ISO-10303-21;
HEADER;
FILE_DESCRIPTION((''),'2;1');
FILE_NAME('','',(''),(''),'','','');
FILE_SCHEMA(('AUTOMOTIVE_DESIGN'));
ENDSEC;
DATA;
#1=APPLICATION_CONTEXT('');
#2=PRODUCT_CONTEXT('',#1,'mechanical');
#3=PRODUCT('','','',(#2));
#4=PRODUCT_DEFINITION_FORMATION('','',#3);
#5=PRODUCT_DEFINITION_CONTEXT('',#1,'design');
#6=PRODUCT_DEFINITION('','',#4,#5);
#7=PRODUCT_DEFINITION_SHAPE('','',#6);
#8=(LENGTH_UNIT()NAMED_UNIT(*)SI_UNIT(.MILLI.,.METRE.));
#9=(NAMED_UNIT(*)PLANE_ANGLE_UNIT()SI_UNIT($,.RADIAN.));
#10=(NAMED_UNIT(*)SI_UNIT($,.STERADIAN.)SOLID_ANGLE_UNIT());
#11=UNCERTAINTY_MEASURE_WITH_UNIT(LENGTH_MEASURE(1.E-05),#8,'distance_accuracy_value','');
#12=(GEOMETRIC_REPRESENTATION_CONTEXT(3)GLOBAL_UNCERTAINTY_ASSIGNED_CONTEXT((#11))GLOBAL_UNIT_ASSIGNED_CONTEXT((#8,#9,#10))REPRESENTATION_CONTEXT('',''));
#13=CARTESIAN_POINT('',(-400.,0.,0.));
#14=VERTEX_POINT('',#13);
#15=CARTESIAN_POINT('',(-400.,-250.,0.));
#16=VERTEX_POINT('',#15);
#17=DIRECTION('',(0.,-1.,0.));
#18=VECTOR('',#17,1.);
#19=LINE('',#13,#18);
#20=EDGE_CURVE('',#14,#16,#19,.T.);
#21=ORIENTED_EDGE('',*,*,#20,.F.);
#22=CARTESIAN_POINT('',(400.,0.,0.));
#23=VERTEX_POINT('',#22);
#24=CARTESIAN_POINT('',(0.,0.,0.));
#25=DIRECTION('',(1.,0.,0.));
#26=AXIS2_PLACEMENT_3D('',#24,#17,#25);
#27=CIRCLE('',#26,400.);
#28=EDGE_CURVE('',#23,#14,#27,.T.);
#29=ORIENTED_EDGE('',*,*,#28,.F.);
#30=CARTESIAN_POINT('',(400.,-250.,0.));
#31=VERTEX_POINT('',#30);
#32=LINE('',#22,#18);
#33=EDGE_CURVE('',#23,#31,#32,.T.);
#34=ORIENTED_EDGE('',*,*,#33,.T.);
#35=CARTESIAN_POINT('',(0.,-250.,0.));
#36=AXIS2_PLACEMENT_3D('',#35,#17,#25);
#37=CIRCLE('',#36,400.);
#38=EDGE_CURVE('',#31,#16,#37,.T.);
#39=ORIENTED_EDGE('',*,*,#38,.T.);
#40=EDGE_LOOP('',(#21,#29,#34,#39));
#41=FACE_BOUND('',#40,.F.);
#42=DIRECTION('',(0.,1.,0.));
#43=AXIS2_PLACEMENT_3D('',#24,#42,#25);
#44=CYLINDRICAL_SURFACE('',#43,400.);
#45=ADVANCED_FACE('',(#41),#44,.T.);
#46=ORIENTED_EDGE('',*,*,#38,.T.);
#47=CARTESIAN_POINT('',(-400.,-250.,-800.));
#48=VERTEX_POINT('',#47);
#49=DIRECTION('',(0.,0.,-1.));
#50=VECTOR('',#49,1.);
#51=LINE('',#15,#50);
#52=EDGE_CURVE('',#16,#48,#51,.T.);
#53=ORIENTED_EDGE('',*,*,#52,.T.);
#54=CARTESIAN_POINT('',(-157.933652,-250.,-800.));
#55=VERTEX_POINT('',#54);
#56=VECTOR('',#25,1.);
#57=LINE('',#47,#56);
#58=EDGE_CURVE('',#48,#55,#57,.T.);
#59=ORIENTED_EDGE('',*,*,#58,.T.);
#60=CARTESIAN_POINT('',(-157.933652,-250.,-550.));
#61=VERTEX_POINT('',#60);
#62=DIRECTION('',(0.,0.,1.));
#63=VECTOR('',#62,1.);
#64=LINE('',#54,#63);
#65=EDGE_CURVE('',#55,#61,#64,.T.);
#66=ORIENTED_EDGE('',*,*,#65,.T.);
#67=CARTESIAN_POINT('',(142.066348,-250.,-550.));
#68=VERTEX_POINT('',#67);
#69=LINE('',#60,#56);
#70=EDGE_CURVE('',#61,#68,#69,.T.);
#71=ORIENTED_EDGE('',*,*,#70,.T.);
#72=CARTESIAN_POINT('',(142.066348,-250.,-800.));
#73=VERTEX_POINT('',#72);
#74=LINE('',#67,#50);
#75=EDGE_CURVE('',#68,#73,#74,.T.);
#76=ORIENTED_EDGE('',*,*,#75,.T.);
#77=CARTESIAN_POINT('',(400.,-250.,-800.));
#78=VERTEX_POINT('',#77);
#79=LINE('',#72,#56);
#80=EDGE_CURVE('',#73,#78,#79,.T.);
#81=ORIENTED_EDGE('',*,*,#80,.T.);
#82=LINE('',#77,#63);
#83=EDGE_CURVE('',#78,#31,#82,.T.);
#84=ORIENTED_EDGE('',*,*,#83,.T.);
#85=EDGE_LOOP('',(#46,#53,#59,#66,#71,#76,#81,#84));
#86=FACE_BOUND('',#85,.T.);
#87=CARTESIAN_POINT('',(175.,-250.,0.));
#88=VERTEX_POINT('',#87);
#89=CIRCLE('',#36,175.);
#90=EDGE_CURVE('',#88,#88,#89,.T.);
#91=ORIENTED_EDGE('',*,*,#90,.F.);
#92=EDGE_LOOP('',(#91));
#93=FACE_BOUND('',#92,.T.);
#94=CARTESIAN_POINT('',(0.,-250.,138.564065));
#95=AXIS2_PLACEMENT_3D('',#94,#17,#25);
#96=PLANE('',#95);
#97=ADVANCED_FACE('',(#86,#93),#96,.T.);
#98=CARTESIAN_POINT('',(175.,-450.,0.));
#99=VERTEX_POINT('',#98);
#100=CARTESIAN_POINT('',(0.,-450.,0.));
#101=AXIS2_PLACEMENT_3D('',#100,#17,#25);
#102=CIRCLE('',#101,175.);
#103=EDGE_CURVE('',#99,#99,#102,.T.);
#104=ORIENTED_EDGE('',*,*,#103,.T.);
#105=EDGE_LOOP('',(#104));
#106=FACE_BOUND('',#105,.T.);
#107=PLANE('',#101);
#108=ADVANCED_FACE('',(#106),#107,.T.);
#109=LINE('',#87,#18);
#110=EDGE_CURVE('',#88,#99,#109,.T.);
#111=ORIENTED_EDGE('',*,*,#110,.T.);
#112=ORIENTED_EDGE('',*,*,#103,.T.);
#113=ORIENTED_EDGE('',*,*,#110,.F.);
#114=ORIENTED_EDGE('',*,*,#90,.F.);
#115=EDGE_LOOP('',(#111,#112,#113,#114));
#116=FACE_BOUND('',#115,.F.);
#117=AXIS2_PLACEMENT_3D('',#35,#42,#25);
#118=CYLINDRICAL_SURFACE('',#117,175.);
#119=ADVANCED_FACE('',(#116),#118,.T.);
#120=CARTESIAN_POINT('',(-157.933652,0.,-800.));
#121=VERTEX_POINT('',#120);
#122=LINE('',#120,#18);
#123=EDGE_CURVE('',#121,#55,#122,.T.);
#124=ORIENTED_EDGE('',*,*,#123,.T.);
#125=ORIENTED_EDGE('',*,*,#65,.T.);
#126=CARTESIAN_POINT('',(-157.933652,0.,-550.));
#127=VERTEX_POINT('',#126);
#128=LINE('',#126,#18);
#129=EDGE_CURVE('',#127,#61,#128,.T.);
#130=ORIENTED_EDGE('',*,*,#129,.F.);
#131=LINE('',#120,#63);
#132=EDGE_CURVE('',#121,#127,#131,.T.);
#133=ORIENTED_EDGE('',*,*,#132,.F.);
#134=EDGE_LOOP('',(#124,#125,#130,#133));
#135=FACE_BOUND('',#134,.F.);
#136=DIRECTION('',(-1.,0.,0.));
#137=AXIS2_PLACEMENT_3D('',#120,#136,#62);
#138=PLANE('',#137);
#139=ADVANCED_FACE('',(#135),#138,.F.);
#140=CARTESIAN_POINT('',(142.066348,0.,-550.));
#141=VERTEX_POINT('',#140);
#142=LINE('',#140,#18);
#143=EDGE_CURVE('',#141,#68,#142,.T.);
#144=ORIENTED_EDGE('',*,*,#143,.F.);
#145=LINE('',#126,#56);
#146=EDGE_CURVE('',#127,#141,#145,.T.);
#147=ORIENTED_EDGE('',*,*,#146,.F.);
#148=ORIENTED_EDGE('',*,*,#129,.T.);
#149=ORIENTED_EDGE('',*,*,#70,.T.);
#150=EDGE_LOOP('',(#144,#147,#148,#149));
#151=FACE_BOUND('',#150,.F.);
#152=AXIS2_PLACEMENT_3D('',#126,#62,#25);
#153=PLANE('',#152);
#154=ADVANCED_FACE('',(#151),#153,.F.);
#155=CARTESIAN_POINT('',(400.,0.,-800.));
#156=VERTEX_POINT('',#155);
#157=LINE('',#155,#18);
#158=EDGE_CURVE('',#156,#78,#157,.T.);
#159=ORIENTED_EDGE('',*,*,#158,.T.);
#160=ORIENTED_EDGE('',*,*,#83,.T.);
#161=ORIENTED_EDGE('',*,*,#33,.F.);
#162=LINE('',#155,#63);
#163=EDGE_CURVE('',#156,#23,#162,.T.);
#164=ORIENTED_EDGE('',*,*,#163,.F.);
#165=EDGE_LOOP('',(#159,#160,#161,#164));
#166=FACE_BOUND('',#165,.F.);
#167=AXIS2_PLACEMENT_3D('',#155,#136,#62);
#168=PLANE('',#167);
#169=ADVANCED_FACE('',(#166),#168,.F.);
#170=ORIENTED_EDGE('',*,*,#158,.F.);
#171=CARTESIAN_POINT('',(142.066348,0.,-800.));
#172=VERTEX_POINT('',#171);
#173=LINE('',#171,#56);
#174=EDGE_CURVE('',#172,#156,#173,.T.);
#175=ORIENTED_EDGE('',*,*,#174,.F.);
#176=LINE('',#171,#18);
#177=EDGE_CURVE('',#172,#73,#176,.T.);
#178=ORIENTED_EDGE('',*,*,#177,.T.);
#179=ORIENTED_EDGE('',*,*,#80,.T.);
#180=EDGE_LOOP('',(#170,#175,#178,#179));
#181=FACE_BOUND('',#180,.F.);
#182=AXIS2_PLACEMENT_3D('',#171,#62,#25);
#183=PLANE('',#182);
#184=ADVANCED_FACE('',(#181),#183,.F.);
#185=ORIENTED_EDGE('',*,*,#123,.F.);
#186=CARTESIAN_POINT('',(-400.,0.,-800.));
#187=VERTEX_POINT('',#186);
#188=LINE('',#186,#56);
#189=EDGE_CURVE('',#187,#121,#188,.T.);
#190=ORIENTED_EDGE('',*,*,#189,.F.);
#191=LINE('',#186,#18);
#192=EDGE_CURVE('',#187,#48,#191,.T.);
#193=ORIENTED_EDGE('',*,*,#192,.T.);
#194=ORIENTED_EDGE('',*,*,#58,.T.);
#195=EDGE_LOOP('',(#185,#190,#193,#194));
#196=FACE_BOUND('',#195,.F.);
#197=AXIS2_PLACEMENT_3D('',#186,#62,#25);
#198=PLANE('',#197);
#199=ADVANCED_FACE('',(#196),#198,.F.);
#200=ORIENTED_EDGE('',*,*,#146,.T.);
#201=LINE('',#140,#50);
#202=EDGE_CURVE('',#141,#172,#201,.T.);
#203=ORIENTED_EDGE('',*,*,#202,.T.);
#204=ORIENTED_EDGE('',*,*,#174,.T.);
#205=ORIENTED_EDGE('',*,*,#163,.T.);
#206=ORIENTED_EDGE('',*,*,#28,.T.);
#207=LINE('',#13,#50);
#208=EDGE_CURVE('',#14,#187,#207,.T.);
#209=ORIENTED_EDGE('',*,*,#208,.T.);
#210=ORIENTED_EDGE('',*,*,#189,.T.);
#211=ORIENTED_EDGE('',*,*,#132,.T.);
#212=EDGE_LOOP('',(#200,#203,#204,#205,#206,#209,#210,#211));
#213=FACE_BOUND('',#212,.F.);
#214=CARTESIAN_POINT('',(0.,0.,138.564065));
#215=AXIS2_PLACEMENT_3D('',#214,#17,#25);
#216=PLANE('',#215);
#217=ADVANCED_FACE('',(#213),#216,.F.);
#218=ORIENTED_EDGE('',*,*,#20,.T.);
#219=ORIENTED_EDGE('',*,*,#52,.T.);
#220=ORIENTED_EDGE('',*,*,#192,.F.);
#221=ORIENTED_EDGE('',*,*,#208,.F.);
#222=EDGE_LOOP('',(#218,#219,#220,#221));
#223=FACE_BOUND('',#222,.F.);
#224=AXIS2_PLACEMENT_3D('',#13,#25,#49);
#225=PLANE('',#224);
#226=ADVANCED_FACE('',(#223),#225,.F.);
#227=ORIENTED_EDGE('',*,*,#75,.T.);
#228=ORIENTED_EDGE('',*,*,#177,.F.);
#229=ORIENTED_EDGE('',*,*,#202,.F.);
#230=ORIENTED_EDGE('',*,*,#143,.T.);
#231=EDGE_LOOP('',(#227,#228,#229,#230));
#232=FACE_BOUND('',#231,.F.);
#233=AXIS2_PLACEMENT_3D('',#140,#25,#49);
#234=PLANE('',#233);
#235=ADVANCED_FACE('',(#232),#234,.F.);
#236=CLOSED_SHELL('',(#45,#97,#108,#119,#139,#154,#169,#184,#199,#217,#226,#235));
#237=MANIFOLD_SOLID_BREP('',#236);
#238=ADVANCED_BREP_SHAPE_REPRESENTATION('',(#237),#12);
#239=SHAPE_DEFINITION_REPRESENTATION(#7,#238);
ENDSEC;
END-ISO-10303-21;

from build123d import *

# Parameters (mm, degrees)
F1_DEPTH = 250
F2_R     = 175
F3_DEPTH = 200


with BuildPart() as f1:
    # F0 (on Front) → F1 (new body)
    with BuildSketch(Plane.XZ):
        with BuildLine():
            Line((-400, 0), (400, 0))
            ThreePointArc((400, 0), (0, 400), (-400, 0))
        make_face()
        Polygon((400, -800), (400, 0), (-400, 0), (-400, -800), (-157.933652, -800), (-157.933652, -550), (142.066348, -550), (142.066348, -800), align=None)
    extrude(amount=F1_DEPTH)

    # F2 (on face) → F3 (join)
    with BuildSketch(Plane.XZ.offset(250)):
        Circle(F2_R)
    extrude(amount=F3_DEPTH)


solid = f1.part
